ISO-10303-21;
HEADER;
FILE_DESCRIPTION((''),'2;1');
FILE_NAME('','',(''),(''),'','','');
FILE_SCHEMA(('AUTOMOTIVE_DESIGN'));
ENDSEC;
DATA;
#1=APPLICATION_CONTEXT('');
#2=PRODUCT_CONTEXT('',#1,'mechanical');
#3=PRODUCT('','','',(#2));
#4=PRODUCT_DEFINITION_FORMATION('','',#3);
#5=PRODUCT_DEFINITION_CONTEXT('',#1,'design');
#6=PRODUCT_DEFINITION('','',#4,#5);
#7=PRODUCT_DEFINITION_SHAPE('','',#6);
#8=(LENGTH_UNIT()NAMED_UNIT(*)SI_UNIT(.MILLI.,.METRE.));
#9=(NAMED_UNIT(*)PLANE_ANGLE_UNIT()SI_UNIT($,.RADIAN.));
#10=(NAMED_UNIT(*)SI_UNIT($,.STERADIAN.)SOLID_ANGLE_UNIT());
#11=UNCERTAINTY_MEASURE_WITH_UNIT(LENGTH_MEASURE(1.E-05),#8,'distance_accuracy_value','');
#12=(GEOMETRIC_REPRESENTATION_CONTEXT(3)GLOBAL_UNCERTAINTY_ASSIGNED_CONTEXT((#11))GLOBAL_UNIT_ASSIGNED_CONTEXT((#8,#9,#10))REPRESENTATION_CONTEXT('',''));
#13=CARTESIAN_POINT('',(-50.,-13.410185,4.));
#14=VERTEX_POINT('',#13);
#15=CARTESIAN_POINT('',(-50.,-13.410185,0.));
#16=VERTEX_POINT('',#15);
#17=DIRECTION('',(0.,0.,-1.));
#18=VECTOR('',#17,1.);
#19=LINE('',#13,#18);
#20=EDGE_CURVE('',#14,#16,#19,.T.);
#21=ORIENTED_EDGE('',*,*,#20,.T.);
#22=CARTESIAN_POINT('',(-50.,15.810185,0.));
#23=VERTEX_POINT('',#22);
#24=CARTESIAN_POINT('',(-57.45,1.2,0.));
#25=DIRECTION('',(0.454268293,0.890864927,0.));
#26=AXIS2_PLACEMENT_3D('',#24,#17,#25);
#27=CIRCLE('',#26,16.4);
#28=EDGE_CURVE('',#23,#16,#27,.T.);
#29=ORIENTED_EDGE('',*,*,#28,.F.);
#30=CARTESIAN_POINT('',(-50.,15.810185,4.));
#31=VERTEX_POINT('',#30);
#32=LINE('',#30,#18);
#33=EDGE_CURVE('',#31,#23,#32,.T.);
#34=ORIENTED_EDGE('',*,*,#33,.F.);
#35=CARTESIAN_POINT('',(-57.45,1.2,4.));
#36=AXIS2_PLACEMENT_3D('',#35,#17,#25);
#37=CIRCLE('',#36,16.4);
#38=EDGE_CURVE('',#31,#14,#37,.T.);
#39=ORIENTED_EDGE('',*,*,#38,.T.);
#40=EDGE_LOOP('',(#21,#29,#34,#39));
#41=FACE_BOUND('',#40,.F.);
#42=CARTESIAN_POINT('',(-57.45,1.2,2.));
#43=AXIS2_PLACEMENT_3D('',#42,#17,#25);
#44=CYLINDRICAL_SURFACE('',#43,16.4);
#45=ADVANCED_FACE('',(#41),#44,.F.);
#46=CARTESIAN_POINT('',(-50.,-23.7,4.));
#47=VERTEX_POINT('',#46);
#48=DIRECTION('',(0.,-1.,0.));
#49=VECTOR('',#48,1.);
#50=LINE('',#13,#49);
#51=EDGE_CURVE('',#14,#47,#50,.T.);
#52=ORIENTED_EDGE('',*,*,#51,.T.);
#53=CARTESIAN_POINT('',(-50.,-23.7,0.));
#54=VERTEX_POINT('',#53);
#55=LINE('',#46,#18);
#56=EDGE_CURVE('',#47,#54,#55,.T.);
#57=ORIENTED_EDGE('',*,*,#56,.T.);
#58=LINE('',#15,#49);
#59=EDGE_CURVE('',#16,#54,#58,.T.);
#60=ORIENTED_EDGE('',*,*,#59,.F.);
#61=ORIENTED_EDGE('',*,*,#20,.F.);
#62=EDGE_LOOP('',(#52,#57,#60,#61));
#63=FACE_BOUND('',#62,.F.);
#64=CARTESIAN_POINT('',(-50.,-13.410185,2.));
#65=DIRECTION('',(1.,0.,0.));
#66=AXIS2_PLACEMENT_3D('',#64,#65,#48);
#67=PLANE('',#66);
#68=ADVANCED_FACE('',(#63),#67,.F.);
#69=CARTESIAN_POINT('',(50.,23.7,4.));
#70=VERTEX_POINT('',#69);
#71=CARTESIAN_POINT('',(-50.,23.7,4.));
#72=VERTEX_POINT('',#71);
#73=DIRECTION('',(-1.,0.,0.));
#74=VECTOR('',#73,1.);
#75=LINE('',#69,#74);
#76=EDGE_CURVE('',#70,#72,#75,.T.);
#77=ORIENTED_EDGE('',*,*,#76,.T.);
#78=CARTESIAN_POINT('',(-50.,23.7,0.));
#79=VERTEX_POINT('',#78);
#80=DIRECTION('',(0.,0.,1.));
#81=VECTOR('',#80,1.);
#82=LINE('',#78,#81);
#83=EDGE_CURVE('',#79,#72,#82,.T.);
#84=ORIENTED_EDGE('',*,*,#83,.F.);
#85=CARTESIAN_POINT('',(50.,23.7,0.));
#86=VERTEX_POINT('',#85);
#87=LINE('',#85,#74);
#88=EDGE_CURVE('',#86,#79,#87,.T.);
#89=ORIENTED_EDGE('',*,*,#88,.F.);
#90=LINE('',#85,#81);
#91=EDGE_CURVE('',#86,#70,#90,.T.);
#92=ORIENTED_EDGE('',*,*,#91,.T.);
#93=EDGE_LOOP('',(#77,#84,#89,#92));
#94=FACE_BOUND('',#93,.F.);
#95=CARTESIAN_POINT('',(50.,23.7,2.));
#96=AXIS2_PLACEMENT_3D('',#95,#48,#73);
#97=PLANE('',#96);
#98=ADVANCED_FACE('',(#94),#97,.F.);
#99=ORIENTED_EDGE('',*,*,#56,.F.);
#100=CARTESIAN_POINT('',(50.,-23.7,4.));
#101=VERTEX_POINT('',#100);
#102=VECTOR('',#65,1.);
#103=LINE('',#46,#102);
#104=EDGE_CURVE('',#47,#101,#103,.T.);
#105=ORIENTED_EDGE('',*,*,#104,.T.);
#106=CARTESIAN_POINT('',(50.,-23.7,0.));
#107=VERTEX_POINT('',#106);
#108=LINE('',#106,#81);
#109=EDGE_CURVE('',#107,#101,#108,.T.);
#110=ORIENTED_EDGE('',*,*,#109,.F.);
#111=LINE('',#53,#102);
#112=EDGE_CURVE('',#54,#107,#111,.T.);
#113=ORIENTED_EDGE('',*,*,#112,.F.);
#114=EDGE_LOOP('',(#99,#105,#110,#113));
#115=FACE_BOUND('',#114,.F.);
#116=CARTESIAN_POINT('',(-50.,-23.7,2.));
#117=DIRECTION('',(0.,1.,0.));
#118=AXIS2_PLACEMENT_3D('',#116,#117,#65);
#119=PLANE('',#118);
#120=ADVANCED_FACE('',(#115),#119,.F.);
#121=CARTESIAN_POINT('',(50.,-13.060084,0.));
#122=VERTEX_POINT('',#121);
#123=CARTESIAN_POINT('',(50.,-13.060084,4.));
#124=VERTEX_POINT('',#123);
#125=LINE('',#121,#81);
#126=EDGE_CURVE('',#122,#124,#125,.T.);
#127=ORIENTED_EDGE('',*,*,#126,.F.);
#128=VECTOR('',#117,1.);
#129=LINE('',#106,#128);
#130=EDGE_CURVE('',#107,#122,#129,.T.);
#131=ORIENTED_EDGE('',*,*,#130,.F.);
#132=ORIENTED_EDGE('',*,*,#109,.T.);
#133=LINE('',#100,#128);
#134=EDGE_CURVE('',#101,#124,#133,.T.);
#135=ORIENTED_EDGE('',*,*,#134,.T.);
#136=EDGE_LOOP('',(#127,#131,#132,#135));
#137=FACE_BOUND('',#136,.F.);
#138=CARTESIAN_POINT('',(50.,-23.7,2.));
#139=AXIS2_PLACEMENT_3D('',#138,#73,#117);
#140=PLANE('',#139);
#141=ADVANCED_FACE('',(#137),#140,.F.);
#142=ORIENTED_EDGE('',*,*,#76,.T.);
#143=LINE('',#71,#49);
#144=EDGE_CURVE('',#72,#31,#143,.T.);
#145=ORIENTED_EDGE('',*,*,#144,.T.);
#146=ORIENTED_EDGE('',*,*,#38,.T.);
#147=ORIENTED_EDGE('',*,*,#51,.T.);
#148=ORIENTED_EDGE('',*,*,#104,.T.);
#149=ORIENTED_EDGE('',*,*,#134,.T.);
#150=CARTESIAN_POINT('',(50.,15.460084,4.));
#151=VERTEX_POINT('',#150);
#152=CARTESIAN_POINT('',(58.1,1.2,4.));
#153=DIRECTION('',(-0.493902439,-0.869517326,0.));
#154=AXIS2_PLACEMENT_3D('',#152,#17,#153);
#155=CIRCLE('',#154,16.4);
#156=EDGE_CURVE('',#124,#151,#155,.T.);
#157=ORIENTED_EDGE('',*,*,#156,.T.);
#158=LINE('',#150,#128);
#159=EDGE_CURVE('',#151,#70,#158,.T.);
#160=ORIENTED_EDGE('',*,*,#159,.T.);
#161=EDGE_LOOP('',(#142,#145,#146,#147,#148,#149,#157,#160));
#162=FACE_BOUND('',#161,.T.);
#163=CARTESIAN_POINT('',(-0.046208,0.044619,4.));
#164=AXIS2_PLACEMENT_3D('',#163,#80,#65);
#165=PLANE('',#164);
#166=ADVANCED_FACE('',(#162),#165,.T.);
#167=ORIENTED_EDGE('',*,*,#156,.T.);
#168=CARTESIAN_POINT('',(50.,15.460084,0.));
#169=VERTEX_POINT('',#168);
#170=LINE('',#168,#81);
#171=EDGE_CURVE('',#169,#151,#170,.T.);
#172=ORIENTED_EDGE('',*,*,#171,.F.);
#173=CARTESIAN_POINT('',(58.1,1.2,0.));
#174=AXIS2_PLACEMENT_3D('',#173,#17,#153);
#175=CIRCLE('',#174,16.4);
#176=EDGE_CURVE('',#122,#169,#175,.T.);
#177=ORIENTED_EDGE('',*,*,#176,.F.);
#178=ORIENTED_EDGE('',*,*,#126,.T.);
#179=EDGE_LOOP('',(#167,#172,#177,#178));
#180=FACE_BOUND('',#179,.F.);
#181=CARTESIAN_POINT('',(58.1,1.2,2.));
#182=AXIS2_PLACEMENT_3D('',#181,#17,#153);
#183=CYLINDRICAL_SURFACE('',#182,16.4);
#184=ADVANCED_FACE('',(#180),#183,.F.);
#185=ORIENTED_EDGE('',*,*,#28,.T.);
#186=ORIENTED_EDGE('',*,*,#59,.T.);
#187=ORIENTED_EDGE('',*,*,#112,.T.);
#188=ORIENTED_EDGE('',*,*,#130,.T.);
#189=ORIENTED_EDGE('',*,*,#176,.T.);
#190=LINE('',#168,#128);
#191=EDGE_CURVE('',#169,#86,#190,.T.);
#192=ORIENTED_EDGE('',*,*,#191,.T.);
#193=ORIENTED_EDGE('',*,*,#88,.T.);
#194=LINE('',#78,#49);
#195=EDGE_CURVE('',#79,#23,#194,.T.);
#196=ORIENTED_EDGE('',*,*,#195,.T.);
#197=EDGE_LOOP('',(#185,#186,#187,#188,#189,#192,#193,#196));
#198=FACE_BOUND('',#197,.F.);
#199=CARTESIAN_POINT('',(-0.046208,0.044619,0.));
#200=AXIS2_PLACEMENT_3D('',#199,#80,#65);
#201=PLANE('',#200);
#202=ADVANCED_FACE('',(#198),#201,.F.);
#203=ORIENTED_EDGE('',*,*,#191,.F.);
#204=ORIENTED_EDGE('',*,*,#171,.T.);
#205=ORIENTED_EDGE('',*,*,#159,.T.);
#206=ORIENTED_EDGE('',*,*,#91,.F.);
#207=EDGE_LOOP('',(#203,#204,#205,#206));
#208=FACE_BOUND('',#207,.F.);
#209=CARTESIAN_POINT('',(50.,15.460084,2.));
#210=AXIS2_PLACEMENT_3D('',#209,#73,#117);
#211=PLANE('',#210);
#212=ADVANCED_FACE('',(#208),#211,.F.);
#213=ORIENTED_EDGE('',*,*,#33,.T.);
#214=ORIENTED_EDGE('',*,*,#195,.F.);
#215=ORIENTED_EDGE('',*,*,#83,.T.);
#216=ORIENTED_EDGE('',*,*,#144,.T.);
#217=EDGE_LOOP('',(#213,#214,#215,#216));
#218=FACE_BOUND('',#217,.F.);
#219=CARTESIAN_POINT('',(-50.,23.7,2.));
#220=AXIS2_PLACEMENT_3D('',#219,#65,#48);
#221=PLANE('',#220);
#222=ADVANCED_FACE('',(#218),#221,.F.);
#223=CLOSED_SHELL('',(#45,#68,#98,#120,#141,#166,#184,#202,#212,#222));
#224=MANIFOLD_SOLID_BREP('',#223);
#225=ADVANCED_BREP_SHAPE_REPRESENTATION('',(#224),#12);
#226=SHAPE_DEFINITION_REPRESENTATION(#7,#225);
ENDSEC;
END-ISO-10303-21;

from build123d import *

# Parameters (mm, degrees)
F1_DEPTH = 2
F2_DEPTH = 2


with BuildPart() as f1:
    # F0 (on Top) → F1 (new body)
    with BuildSketch(Plane.XY):
        with BuildLine():
            Line((-50, -23.7), (50, -23.7))
            Line((50, -23.7), (50, -13.0600841512))
            ThreePointArc((50, -13.0600841512), (41.7, 1.2), (50, 15.4600841512))
            Line((50, 15.4600841512), (50, 23.7))
            Line((50, 23.7), (-50, 23.7))
            Line((-50, 23.7), (-50, 15.8101848038))
            ThreePointArc((-50, 15.8101848038), (-41.05, 1.2), (-50, -13.4101848038))
            Line((-50, -13.4101848038), (-50, -23.7))
        make_face()
    extrude(amount=F1_DEPTH)

    # F2 (add): a face of the model
    f2_faces = [f1.faces().sort_by_distance(p)[0] for p in [
        (0.1877216018, -0.0971034316, 2),
    ]]
    extrude(f2_faces, amount=F2_DEPTH)


solid = f1.part
